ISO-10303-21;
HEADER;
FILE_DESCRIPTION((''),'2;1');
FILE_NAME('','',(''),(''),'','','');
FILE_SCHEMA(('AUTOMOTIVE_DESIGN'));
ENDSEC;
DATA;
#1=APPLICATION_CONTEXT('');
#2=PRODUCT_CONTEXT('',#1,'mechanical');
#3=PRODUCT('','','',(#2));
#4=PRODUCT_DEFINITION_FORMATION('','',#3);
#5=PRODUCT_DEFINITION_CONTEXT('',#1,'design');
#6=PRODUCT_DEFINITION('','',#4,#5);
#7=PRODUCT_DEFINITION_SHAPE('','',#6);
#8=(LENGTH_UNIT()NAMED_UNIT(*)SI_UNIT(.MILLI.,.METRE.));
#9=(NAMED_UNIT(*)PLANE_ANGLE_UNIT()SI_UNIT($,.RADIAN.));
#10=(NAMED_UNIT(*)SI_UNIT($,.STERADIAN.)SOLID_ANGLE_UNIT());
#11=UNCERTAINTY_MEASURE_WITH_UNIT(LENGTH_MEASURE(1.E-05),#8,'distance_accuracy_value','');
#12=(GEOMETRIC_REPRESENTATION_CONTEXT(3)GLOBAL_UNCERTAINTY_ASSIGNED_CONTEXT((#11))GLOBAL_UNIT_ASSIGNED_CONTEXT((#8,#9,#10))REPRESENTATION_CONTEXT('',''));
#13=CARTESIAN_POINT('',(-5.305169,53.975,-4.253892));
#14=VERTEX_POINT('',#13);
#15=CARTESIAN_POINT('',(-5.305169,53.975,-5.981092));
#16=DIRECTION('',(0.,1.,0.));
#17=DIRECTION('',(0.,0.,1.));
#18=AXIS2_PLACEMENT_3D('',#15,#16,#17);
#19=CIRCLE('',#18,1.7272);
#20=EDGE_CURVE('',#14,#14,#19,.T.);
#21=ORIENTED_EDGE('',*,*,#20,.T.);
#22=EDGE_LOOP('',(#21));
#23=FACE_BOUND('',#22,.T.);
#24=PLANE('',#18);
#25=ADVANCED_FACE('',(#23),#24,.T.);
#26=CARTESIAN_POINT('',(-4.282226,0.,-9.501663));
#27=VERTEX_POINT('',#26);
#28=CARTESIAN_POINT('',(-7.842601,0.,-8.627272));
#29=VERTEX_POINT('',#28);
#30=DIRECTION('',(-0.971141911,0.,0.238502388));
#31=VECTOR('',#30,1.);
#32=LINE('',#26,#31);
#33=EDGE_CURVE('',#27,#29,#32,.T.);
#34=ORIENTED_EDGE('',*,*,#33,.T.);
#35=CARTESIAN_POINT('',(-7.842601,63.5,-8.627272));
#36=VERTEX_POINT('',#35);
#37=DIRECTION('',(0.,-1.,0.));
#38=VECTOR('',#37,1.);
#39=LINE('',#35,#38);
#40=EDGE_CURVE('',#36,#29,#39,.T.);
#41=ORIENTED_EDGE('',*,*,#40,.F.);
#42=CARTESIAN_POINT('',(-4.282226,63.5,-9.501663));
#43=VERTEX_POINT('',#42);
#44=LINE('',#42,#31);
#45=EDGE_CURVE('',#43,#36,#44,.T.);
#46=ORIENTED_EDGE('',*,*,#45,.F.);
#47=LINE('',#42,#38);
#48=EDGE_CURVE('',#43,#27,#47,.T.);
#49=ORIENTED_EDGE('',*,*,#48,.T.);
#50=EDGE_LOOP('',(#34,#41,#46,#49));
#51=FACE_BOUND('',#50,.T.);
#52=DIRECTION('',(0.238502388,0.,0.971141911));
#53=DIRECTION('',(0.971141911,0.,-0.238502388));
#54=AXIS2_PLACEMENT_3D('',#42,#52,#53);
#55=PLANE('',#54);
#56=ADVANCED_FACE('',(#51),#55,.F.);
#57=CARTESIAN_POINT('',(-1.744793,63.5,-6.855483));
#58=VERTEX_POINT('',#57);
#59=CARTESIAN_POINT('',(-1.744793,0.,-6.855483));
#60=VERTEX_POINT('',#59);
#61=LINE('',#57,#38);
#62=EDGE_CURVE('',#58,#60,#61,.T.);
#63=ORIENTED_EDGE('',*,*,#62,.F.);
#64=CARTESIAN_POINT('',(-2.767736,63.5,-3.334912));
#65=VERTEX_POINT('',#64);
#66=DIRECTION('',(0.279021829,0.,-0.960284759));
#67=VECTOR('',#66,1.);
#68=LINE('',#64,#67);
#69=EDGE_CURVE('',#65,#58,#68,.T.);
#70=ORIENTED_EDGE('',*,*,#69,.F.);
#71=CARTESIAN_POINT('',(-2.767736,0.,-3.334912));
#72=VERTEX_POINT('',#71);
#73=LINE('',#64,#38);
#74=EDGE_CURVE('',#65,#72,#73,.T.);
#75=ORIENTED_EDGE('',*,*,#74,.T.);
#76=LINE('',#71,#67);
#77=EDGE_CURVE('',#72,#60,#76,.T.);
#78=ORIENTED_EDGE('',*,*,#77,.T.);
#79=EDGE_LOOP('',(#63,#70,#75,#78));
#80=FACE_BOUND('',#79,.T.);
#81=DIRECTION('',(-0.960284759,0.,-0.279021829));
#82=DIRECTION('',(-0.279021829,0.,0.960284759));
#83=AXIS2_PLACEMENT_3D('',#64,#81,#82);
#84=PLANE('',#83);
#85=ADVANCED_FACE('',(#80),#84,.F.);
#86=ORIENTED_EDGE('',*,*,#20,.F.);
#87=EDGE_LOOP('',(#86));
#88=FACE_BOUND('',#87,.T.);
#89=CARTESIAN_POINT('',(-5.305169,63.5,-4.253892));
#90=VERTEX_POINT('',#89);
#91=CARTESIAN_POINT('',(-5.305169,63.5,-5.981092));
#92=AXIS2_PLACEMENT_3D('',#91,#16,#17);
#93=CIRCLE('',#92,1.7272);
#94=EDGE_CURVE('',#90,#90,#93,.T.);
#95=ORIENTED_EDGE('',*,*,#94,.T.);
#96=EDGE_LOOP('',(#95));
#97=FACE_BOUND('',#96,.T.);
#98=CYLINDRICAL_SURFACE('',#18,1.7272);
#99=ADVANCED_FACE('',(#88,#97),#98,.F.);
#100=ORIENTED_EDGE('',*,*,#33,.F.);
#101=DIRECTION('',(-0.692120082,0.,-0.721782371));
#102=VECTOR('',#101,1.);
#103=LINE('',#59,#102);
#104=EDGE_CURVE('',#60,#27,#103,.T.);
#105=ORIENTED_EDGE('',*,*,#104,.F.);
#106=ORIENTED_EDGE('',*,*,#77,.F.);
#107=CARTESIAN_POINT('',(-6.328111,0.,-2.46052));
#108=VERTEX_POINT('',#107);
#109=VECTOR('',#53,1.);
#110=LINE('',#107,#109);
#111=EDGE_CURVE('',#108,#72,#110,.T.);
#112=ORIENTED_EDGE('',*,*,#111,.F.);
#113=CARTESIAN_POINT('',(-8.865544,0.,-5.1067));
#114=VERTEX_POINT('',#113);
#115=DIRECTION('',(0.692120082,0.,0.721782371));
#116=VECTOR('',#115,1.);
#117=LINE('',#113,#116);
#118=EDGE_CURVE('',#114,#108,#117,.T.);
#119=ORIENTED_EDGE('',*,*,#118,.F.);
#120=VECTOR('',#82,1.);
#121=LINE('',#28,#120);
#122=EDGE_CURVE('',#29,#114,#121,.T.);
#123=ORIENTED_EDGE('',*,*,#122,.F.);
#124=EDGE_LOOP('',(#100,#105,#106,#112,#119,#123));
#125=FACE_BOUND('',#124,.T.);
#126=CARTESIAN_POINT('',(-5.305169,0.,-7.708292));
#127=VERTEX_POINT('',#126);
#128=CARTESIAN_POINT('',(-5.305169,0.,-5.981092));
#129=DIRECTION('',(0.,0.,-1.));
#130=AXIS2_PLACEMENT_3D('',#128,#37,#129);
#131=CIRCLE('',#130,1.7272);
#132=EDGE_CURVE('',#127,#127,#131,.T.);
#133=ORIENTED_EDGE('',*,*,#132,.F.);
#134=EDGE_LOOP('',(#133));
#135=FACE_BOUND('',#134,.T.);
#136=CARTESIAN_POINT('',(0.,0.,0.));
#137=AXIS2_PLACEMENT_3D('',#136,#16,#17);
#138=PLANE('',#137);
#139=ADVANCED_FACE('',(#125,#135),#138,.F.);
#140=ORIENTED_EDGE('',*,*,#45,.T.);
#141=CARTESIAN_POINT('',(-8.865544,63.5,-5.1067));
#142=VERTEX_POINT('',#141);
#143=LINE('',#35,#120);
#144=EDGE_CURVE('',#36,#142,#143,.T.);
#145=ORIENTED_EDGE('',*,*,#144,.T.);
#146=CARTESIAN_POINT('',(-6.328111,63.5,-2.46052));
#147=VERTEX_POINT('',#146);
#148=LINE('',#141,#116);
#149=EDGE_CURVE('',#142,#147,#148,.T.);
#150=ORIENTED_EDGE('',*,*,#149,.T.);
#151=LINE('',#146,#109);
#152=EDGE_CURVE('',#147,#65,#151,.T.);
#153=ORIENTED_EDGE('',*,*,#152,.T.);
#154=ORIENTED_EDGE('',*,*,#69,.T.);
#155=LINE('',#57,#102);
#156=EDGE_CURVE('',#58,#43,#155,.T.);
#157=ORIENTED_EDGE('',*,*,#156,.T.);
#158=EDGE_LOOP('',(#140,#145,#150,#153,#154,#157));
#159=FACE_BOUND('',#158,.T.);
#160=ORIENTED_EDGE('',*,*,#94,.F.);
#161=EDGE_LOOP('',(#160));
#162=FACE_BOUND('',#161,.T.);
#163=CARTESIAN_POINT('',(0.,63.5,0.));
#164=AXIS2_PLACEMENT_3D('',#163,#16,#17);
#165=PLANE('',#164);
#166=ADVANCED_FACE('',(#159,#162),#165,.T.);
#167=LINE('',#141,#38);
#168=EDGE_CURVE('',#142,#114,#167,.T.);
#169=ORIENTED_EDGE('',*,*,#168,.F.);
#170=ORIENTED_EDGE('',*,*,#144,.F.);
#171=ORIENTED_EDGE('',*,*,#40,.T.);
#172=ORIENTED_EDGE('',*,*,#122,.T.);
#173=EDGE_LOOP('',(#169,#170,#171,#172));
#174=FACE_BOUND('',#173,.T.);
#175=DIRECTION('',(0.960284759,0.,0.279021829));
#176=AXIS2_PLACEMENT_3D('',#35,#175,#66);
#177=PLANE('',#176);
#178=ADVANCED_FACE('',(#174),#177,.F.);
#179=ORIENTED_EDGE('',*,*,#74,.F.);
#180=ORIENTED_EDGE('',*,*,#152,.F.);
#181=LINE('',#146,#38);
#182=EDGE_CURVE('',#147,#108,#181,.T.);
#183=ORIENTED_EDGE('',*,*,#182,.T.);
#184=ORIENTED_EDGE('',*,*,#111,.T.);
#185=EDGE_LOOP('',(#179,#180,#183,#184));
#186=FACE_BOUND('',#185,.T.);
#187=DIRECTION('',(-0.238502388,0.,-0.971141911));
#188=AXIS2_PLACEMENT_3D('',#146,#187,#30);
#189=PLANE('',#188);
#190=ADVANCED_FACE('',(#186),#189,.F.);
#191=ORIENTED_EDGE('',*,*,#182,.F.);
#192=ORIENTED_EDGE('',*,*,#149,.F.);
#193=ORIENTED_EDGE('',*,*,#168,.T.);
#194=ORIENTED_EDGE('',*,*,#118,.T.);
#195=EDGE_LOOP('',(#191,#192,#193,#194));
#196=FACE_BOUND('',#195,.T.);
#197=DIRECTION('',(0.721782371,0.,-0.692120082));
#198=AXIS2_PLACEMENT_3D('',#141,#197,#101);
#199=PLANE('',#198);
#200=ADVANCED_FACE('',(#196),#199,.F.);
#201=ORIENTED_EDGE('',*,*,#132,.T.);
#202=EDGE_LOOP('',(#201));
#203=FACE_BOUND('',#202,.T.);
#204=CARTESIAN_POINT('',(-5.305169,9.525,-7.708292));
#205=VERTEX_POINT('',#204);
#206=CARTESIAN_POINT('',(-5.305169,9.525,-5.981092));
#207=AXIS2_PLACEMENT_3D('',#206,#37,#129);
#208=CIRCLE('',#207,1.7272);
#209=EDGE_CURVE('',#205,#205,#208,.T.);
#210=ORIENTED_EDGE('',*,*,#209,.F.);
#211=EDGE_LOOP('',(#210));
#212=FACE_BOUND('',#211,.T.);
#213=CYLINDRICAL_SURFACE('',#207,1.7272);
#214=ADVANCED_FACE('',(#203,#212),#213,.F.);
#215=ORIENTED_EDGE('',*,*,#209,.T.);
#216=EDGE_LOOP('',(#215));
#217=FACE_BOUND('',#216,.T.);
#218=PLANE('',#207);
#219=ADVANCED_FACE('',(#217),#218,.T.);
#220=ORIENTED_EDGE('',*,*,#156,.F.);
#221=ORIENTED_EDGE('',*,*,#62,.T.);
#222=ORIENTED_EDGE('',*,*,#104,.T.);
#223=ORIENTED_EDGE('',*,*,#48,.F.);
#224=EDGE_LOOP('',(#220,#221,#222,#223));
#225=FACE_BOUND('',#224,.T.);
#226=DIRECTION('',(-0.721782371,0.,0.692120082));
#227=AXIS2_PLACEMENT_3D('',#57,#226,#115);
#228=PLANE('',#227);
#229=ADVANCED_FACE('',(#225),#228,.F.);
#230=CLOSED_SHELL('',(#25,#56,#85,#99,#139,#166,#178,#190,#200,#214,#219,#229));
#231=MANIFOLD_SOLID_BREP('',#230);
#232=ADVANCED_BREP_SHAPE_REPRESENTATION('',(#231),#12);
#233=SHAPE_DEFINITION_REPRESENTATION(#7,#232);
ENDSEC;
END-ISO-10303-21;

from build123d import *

# Parameters (mm, degrees)
BOSS_EXTRUDE1_DEPTH = 63.5
SKETCH2_R           = 1.7272
CUT_EXTRUDE1_DEPTH  = 9.525
SKETCH3_R           = 1.7272
CUT_EXTRUDE2_DEPTH  = 9.525


with BuildPart() as part:
    # Sketch1 → Boss-Extrude1 (new body)
    with BuildSketch(Plane(origin=(0, 0, 0), x_dir=(1, 0, 0), z_dir=(0, 1, 0))):
        Polygon((-2.767735883, 3.334911674), (-1.744793251, 6.855482892), (-4.282226046, 9.501662807), (-7.842601473, 8.627271504), (-8.865544105, 5.106700285), (-6.32811131, 2.46052037), align=None)
    extrude(amount=BOSS_EXTRUDE1_DEPTH)

    # Sketch2 → Cut-Extrude1 (cut)
    with BuildSketch(Plane(origin=(0, 63.5, 0), x_dir=(1, 0, 0), z_dir=(0, 1, 0))):
        with Locations((-5.305168678, 5.981091589)):
            Circle(SKETCH2_R)
    extrude(amount=-CUT_EXTRUDE1_DEPTH, mode=Mode.SUBTRACT)

    # Sketch3 → Cut-Extrude2 (cut)
    with BuildSketch(Plane.XZ):
        with Locations((-5.305168678, -5.981091589)):
            Circle(SKETCH3_R)
    extrude(amount=-CUT_EXTRUDE2_DEPTH, mode=Mode.SUBTRACT)


solid = part.part
